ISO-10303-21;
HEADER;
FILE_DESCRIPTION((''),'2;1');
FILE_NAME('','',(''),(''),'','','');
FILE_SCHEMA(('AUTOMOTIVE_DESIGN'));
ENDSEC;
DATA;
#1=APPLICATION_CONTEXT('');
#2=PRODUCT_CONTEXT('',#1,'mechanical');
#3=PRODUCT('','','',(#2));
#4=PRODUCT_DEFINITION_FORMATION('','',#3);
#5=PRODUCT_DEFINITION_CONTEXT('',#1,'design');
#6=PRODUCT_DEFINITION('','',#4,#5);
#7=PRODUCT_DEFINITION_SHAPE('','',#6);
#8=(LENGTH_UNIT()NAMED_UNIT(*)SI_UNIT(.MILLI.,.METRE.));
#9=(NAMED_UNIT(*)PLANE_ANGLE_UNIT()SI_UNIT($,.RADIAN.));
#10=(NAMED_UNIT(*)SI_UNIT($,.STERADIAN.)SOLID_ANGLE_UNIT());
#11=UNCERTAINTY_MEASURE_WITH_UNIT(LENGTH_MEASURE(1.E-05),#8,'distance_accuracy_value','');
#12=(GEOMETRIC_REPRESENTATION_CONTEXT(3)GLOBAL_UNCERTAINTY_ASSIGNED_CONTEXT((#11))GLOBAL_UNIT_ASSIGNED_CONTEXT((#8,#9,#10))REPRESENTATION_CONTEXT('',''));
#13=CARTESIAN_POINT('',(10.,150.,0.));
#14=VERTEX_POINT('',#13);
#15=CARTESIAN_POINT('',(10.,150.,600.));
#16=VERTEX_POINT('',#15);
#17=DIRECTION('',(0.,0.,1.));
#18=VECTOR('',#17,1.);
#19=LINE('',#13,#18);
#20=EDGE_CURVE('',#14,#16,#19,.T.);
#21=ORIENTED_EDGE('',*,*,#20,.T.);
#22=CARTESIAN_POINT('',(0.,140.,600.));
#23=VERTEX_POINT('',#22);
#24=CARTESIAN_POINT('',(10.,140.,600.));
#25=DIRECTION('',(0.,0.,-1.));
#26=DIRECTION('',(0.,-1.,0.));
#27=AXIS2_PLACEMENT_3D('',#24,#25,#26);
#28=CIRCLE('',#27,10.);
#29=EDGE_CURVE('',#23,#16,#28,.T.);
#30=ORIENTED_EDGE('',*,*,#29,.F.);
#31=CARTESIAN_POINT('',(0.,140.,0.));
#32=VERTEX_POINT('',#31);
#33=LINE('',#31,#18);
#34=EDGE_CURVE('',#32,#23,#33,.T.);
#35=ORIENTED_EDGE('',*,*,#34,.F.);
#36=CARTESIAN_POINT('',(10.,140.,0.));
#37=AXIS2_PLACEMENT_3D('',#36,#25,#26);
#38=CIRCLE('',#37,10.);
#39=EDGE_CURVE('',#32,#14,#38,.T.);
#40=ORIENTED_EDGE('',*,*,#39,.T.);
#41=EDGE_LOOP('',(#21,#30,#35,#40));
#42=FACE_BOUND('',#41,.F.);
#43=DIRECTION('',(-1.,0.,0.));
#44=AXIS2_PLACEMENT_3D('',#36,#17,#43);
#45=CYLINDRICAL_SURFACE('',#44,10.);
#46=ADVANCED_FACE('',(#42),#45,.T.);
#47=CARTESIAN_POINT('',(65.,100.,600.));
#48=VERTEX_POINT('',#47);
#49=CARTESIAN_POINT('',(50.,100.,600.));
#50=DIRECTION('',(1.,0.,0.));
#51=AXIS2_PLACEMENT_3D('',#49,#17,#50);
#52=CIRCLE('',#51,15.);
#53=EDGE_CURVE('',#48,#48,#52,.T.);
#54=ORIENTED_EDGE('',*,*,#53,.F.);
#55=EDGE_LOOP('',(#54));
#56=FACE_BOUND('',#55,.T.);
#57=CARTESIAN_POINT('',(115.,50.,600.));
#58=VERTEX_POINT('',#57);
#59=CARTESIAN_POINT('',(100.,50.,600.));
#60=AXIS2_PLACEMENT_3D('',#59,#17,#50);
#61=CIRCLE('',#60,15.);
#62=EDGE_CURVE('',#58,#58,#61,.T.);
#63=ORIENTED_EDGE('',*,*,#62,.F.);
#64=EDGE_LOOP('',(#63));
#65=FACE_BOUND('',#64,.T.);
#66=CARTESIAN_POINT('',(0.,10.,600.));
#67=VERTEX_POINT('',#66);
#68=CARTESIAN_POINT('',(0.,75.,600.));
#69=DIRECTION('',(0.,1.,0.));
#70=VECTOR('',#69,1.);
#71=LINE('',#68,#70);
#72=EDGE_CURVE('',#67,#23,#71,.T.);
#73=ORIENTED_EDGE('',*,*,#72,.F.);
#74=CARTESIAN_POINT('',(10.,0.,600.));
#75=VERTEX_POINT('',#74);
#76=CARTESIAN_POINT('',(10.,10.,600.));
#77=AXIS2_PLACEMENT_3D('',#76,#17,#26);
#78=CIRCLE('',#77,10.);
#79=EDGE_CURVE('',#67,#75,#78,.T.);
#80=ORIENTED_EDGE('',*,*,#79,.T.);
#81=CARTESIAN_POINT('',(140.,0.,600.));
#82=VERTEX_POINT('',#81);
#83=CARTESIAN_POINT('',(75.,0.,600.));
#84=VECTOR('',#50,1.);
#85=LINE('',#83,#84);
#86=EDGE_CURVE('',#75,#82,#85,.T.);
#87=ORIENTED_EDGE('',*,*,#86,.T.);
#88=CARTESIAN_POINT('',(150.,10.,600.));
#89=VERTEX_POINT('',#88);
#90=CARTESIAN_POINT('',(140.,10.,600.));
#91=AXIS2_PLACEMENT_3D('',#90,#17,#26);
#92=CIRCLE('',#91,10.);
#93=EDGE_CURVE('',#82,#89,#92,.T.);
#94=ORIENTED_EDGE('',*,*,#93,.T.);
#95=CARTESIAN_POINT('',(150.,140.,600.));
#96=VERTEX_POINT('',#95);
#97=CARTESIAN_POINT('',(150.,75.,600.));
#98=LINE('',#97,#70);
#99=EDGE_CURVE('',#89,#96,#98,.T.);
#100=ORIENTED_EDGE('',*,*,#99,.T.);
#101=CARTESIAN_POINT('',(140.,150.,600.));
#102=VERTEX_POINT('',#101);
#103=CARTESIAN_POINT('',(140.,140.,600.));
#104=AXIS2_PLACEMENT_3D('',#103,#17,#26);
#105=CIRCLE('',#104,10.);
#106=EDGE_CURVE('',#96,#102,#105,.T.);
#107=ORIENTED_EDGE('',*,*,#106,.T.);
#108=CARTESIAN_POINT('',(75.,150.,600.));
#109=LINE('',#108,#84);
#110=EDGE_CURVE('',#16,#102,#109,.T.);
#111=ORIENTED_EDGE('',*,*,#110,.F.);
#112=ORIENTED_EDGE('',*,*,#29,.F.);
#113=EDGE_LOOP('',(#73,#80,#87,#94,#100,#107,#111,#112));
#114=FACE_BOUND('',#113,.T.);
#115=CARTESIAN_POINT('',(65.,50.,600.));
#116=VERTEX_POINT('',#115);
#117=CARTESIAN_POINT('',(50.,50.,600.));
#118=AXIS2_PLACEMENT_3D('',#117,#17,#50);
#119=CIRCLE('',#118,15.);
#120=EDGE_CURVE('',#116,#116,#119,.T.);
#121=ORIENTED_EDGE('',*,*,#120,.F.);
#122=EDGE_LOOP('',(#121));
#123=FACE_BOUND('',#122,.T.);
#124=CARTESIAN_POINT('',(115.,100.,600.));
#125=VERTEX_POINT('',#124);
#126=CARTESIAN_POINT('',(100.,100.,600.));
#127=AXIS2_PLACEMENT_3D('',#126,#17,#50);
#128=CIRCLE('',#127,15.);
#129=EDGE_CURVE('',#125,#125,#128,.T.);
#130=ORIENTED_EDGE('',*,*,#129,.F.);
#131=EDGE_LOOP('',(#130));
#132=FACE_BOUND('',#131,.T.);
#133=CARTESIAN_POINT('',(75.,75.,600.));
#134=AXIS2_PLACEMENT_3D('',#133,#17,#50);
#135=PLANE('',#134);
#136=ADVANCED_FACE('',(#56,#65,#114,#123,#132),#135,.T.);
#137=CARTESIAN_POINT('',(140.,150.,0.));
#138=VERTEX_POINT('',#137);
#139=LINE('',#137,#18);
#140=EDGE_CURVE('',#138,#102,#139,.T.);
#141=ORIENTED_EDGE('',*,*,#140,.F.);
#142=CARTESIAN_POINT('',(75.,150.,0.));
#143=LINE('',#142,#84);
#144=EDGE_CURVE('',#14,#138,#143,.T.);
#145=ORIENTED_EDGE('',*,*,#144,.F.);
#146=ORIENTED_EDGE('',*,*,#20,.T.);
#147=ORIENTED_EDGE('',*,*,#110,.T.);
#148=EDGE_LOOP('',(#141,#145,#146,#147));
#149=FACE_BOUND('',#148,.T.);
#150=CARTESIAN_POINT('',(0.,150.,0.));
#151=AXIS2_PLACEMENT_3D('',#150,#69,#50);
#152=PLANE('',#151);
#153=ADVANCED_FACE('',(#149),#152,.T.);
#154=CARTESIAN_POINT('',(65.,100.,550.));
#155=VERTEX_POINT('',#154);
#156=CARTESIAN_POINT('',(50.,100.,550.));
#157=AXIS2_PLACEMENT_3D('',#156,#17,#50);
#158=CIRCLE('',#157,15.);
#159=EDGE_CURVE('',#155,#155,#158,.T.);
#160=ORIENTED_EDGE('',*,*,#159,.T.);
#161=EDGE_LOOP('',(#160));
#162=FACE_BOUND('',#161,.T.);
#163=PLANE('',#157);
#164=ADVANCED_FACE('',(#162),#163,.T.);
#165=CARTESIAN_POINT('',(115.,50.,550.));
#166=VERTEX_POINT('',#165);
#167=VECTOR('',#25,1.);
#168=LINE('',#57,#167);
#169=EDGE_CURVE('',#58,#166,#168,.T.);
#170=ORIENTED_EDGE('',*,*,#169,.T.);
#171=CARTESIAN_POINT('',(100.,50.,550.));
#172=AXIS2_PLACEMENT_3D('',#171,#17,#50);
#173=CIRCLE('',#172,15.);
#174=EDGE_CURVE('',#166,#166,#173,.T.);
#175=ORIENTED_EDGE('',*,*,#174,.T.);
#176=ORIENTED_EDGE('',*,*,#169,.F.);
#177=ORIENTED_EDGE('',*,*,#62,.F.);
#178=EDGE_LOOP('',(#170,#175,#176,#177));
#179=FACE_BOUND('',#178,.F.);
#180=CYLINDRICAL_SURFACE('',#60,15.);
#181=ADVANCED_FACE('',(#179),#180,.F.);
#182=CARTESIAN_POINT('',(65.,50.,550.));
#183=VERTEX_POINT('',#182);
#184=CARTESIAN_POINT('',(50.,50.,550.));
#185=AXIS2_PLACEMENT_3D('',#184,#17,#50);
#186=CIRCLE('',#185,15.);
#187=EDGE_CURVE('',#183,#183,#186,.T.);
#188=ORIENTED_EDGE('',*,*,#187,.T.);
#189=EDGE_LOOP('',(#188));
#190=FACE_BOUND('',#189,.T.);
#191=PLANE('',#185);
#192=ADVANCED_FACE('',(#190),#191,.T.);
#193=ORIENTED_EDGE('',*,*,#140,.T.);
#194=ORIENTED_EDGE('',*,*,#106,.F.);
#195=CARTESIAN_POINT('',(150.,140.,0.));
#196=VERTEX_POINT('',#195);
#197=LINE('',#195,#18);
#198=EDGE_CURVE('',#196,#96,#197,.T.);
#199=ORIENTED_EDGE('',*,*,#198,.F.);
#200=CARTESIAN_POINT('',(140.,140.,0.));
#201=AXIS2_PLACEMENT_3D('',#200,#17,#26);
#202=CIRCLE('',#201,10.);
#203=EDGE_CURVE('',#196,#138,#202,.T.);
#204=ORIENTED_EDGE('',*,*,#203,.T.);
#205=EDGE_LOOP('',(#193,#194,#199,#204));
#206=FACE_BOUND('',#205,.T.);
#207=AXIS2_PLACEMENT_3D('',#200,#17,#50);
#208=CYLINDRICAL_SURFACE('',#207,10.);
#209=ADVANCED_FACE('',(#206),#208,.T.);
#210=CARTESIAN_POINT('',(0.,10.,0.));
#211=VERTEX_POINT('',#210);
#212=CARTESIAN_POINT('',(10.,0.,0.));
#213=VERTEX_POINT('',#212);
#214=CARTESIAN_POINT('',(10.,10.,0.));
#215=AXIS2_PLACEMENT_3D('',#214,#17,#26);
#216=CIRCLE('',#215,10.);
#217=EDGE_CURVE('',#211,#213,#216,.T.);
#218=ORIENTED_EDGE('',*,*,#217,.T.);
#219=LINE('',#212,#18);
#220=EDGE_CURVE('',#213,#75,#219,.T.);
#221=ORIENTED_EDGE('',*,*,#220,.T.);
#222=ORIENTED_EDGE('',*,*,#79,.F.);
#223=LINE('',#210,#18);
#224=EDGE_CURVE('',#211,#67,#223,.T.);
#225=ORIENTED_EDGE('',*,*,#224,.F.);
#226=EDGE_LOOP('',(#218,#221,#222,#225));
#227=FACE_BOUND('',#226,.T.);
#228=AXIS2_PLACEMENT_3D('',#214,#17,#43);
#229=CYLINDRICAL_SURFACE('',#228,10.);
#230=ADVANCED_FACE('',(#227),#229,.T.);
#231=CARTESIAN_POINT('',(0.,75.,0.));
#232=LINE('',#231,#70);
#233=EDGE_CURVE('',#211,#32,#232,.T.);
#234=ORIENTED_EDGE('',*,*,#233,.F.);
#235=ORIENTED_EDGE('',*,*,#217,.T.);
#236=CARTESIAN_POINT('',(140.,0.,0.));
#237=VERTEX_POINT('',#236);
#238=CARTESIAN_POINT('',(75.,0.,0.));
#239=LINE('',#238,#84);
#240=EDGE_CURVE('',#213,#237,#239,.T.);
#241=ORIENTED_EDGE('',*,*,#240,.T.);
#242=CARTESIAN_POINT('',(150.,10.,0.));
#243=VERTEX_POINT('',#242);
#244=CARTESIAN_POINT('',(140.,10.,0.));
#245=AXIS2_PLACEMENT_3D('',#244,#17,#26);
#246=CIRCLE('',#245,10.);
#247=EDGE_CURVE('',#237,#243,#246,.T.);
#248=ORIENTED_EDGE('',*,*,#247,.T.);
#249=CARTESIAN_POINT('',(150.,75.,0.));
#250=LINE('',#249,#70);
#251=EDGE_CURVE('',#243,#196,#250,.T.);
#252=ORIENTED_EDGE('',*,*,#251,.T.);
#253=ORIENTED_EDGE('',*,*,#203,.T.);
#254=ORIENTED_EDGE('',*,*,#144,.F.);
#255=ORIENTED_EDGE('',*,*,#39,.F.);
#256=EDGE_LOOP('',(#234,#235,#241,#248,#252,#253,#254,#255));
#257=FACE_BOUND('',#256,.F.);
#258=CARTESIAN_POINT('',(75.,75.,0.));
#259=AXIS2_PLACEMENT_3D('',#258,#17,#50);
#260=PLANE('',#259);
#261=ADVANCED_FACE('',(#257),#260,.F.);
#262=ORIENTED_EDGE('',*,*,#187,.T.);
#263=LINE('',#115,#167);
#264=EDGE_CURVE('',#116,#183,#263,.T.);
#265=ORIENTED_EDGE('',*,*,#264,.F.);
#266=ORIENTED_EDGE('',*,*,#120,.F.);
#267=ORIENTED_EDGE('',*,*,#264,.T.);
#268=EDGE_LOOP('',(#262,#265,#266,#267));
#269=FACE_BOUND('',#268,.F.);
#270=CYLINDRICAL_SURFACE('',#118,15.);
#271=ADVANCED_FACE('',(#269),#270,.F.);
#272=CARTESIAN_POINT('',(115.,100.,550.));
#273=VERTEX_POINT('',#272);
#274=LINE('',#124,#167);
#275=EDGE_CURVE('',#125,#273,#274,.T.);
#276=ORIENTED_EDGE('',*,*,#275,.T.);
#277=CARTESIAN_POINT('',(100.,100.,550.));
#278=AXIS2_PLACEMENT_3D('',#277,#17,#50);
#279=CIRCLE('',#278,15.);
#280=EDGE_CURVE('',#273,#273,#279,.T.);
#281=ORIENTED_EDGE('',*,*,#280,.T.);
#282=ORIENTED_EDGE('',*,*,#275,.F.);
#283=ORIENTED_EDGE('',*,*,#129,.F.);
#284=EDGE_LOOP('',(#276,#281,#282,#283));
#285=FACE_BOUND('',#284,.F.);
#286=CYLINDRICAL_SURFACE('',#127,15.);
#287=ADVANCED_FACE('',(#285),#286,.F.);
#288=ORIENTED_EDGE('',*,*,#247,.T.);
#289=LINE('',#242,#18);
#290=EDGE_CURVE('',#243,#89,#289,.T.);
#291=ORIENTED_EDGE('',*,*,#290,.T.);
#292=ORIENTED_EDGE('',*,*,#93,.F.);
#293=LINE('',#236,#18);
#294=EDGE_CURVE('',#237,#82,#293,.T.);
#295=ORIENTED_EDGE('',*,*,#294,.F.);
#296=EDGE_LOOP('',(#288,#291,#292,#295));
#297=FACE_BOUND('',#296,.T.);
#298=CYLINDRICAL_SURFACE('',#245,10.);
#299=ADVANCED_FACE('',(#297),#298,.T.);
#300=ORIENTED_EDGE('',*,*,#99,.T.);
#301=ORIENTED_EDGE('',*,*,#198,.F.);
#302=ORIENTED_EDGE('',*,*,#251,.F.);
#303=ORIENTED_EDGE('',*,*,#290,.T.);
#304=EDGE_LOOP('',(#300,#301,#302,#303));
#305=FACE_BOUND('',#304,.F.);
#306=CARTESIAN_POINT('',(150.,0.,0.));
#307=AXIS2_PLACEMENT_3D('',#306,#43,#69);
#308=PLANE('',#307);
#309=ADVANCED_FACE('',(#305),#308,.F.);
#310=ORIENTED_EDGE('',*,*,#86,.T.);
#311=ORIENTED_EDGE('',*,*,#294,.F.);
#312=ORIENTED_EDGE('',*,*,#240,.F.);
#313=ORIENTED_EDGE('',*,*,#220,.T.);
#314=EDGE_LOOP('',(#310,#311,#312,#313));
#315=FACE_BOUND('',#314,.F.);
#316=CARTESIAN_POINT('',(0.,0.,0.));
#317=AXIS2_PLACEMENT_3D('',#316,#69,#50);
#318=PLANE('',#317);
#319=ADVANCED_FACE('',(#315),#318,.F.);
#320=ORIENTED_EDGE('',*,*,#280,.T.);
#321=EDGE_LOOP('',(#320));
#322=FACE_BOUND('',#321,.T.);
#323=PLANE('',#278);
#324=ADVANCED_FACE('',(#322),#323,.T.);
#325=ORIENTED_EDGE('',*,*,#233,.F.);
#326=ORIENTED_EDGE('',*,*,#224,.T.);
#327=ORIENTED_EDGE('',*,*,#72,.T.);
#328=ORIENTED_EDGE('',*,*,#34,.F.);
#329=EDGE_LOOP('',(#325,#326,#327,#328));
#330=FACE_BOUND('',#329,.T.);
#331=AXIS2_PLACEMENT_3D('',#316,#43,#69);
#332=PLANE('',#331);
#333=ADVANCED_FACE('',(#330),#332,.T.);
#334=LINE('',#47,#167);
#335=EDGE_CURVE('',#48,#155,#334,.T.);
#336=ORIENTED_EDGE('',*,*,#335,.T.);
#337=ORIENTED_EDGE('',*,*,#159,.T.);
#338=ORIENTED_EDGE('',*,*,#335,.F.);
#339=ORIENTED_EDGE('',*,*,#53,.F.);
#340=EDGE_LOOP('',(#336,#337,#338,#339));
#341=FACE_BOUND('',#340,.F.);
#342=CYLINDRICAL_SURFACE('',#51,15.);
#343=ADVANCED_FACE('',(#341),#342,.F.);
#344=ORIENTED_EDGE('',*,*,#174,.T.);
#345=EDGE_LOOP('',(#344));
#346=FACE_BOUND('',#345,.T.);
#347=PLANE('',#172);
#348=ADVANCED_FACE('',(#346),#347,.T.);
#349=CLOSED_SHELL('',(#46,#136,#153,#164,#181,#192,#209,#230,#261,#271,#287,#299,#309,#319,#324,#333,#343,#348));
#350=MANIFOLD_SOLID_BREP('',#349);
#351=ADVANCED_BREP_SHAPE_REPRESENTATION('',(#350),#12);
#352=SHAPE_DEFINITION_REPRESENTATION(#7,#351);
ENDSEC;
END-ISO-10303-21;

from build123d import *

# Parameters (mm, degrees)
F0_W     = 150
F0_H     = 150
F1_DEPTH = 600
F2_R     = 10
F3_R     = 15
F4_DEPTH = 50


with BuildPart() as f1:
    # F0 (on Top) → F1 (new body)
    with BuildSketch(Plane.XY):
        with Locations((75, 75)):
            Rectangle(F0_W, F0_H)
    extrude(amount=F1_DEPTH)

    # F2
    f2_edges = [f1.edges().sort_by_distance(p)[0] for p in [
        (0, 150, 300),
        (150, 150, 300),
        (150, 0, 300),
        (0, 0, 300),
    ]]
    fillet(f2_edges, radius=F2_R)

    # F3 (on face) → F4 (cut)
    with BuildSketch(Plane.XY.offset(600)):
        with Locations((50, 100)):
            Circle(F3_R)
        with Locations((100, 100)):
            Circle(F3_R)
        with Locations((100, 50)):
            Circle(F3_R)
        with Locations((50, 50)):
            Circle(F3_R)
    extrude(amount=-F4_DEPTH, mode=Mode.SUBTRACT)


solid = f1.part
